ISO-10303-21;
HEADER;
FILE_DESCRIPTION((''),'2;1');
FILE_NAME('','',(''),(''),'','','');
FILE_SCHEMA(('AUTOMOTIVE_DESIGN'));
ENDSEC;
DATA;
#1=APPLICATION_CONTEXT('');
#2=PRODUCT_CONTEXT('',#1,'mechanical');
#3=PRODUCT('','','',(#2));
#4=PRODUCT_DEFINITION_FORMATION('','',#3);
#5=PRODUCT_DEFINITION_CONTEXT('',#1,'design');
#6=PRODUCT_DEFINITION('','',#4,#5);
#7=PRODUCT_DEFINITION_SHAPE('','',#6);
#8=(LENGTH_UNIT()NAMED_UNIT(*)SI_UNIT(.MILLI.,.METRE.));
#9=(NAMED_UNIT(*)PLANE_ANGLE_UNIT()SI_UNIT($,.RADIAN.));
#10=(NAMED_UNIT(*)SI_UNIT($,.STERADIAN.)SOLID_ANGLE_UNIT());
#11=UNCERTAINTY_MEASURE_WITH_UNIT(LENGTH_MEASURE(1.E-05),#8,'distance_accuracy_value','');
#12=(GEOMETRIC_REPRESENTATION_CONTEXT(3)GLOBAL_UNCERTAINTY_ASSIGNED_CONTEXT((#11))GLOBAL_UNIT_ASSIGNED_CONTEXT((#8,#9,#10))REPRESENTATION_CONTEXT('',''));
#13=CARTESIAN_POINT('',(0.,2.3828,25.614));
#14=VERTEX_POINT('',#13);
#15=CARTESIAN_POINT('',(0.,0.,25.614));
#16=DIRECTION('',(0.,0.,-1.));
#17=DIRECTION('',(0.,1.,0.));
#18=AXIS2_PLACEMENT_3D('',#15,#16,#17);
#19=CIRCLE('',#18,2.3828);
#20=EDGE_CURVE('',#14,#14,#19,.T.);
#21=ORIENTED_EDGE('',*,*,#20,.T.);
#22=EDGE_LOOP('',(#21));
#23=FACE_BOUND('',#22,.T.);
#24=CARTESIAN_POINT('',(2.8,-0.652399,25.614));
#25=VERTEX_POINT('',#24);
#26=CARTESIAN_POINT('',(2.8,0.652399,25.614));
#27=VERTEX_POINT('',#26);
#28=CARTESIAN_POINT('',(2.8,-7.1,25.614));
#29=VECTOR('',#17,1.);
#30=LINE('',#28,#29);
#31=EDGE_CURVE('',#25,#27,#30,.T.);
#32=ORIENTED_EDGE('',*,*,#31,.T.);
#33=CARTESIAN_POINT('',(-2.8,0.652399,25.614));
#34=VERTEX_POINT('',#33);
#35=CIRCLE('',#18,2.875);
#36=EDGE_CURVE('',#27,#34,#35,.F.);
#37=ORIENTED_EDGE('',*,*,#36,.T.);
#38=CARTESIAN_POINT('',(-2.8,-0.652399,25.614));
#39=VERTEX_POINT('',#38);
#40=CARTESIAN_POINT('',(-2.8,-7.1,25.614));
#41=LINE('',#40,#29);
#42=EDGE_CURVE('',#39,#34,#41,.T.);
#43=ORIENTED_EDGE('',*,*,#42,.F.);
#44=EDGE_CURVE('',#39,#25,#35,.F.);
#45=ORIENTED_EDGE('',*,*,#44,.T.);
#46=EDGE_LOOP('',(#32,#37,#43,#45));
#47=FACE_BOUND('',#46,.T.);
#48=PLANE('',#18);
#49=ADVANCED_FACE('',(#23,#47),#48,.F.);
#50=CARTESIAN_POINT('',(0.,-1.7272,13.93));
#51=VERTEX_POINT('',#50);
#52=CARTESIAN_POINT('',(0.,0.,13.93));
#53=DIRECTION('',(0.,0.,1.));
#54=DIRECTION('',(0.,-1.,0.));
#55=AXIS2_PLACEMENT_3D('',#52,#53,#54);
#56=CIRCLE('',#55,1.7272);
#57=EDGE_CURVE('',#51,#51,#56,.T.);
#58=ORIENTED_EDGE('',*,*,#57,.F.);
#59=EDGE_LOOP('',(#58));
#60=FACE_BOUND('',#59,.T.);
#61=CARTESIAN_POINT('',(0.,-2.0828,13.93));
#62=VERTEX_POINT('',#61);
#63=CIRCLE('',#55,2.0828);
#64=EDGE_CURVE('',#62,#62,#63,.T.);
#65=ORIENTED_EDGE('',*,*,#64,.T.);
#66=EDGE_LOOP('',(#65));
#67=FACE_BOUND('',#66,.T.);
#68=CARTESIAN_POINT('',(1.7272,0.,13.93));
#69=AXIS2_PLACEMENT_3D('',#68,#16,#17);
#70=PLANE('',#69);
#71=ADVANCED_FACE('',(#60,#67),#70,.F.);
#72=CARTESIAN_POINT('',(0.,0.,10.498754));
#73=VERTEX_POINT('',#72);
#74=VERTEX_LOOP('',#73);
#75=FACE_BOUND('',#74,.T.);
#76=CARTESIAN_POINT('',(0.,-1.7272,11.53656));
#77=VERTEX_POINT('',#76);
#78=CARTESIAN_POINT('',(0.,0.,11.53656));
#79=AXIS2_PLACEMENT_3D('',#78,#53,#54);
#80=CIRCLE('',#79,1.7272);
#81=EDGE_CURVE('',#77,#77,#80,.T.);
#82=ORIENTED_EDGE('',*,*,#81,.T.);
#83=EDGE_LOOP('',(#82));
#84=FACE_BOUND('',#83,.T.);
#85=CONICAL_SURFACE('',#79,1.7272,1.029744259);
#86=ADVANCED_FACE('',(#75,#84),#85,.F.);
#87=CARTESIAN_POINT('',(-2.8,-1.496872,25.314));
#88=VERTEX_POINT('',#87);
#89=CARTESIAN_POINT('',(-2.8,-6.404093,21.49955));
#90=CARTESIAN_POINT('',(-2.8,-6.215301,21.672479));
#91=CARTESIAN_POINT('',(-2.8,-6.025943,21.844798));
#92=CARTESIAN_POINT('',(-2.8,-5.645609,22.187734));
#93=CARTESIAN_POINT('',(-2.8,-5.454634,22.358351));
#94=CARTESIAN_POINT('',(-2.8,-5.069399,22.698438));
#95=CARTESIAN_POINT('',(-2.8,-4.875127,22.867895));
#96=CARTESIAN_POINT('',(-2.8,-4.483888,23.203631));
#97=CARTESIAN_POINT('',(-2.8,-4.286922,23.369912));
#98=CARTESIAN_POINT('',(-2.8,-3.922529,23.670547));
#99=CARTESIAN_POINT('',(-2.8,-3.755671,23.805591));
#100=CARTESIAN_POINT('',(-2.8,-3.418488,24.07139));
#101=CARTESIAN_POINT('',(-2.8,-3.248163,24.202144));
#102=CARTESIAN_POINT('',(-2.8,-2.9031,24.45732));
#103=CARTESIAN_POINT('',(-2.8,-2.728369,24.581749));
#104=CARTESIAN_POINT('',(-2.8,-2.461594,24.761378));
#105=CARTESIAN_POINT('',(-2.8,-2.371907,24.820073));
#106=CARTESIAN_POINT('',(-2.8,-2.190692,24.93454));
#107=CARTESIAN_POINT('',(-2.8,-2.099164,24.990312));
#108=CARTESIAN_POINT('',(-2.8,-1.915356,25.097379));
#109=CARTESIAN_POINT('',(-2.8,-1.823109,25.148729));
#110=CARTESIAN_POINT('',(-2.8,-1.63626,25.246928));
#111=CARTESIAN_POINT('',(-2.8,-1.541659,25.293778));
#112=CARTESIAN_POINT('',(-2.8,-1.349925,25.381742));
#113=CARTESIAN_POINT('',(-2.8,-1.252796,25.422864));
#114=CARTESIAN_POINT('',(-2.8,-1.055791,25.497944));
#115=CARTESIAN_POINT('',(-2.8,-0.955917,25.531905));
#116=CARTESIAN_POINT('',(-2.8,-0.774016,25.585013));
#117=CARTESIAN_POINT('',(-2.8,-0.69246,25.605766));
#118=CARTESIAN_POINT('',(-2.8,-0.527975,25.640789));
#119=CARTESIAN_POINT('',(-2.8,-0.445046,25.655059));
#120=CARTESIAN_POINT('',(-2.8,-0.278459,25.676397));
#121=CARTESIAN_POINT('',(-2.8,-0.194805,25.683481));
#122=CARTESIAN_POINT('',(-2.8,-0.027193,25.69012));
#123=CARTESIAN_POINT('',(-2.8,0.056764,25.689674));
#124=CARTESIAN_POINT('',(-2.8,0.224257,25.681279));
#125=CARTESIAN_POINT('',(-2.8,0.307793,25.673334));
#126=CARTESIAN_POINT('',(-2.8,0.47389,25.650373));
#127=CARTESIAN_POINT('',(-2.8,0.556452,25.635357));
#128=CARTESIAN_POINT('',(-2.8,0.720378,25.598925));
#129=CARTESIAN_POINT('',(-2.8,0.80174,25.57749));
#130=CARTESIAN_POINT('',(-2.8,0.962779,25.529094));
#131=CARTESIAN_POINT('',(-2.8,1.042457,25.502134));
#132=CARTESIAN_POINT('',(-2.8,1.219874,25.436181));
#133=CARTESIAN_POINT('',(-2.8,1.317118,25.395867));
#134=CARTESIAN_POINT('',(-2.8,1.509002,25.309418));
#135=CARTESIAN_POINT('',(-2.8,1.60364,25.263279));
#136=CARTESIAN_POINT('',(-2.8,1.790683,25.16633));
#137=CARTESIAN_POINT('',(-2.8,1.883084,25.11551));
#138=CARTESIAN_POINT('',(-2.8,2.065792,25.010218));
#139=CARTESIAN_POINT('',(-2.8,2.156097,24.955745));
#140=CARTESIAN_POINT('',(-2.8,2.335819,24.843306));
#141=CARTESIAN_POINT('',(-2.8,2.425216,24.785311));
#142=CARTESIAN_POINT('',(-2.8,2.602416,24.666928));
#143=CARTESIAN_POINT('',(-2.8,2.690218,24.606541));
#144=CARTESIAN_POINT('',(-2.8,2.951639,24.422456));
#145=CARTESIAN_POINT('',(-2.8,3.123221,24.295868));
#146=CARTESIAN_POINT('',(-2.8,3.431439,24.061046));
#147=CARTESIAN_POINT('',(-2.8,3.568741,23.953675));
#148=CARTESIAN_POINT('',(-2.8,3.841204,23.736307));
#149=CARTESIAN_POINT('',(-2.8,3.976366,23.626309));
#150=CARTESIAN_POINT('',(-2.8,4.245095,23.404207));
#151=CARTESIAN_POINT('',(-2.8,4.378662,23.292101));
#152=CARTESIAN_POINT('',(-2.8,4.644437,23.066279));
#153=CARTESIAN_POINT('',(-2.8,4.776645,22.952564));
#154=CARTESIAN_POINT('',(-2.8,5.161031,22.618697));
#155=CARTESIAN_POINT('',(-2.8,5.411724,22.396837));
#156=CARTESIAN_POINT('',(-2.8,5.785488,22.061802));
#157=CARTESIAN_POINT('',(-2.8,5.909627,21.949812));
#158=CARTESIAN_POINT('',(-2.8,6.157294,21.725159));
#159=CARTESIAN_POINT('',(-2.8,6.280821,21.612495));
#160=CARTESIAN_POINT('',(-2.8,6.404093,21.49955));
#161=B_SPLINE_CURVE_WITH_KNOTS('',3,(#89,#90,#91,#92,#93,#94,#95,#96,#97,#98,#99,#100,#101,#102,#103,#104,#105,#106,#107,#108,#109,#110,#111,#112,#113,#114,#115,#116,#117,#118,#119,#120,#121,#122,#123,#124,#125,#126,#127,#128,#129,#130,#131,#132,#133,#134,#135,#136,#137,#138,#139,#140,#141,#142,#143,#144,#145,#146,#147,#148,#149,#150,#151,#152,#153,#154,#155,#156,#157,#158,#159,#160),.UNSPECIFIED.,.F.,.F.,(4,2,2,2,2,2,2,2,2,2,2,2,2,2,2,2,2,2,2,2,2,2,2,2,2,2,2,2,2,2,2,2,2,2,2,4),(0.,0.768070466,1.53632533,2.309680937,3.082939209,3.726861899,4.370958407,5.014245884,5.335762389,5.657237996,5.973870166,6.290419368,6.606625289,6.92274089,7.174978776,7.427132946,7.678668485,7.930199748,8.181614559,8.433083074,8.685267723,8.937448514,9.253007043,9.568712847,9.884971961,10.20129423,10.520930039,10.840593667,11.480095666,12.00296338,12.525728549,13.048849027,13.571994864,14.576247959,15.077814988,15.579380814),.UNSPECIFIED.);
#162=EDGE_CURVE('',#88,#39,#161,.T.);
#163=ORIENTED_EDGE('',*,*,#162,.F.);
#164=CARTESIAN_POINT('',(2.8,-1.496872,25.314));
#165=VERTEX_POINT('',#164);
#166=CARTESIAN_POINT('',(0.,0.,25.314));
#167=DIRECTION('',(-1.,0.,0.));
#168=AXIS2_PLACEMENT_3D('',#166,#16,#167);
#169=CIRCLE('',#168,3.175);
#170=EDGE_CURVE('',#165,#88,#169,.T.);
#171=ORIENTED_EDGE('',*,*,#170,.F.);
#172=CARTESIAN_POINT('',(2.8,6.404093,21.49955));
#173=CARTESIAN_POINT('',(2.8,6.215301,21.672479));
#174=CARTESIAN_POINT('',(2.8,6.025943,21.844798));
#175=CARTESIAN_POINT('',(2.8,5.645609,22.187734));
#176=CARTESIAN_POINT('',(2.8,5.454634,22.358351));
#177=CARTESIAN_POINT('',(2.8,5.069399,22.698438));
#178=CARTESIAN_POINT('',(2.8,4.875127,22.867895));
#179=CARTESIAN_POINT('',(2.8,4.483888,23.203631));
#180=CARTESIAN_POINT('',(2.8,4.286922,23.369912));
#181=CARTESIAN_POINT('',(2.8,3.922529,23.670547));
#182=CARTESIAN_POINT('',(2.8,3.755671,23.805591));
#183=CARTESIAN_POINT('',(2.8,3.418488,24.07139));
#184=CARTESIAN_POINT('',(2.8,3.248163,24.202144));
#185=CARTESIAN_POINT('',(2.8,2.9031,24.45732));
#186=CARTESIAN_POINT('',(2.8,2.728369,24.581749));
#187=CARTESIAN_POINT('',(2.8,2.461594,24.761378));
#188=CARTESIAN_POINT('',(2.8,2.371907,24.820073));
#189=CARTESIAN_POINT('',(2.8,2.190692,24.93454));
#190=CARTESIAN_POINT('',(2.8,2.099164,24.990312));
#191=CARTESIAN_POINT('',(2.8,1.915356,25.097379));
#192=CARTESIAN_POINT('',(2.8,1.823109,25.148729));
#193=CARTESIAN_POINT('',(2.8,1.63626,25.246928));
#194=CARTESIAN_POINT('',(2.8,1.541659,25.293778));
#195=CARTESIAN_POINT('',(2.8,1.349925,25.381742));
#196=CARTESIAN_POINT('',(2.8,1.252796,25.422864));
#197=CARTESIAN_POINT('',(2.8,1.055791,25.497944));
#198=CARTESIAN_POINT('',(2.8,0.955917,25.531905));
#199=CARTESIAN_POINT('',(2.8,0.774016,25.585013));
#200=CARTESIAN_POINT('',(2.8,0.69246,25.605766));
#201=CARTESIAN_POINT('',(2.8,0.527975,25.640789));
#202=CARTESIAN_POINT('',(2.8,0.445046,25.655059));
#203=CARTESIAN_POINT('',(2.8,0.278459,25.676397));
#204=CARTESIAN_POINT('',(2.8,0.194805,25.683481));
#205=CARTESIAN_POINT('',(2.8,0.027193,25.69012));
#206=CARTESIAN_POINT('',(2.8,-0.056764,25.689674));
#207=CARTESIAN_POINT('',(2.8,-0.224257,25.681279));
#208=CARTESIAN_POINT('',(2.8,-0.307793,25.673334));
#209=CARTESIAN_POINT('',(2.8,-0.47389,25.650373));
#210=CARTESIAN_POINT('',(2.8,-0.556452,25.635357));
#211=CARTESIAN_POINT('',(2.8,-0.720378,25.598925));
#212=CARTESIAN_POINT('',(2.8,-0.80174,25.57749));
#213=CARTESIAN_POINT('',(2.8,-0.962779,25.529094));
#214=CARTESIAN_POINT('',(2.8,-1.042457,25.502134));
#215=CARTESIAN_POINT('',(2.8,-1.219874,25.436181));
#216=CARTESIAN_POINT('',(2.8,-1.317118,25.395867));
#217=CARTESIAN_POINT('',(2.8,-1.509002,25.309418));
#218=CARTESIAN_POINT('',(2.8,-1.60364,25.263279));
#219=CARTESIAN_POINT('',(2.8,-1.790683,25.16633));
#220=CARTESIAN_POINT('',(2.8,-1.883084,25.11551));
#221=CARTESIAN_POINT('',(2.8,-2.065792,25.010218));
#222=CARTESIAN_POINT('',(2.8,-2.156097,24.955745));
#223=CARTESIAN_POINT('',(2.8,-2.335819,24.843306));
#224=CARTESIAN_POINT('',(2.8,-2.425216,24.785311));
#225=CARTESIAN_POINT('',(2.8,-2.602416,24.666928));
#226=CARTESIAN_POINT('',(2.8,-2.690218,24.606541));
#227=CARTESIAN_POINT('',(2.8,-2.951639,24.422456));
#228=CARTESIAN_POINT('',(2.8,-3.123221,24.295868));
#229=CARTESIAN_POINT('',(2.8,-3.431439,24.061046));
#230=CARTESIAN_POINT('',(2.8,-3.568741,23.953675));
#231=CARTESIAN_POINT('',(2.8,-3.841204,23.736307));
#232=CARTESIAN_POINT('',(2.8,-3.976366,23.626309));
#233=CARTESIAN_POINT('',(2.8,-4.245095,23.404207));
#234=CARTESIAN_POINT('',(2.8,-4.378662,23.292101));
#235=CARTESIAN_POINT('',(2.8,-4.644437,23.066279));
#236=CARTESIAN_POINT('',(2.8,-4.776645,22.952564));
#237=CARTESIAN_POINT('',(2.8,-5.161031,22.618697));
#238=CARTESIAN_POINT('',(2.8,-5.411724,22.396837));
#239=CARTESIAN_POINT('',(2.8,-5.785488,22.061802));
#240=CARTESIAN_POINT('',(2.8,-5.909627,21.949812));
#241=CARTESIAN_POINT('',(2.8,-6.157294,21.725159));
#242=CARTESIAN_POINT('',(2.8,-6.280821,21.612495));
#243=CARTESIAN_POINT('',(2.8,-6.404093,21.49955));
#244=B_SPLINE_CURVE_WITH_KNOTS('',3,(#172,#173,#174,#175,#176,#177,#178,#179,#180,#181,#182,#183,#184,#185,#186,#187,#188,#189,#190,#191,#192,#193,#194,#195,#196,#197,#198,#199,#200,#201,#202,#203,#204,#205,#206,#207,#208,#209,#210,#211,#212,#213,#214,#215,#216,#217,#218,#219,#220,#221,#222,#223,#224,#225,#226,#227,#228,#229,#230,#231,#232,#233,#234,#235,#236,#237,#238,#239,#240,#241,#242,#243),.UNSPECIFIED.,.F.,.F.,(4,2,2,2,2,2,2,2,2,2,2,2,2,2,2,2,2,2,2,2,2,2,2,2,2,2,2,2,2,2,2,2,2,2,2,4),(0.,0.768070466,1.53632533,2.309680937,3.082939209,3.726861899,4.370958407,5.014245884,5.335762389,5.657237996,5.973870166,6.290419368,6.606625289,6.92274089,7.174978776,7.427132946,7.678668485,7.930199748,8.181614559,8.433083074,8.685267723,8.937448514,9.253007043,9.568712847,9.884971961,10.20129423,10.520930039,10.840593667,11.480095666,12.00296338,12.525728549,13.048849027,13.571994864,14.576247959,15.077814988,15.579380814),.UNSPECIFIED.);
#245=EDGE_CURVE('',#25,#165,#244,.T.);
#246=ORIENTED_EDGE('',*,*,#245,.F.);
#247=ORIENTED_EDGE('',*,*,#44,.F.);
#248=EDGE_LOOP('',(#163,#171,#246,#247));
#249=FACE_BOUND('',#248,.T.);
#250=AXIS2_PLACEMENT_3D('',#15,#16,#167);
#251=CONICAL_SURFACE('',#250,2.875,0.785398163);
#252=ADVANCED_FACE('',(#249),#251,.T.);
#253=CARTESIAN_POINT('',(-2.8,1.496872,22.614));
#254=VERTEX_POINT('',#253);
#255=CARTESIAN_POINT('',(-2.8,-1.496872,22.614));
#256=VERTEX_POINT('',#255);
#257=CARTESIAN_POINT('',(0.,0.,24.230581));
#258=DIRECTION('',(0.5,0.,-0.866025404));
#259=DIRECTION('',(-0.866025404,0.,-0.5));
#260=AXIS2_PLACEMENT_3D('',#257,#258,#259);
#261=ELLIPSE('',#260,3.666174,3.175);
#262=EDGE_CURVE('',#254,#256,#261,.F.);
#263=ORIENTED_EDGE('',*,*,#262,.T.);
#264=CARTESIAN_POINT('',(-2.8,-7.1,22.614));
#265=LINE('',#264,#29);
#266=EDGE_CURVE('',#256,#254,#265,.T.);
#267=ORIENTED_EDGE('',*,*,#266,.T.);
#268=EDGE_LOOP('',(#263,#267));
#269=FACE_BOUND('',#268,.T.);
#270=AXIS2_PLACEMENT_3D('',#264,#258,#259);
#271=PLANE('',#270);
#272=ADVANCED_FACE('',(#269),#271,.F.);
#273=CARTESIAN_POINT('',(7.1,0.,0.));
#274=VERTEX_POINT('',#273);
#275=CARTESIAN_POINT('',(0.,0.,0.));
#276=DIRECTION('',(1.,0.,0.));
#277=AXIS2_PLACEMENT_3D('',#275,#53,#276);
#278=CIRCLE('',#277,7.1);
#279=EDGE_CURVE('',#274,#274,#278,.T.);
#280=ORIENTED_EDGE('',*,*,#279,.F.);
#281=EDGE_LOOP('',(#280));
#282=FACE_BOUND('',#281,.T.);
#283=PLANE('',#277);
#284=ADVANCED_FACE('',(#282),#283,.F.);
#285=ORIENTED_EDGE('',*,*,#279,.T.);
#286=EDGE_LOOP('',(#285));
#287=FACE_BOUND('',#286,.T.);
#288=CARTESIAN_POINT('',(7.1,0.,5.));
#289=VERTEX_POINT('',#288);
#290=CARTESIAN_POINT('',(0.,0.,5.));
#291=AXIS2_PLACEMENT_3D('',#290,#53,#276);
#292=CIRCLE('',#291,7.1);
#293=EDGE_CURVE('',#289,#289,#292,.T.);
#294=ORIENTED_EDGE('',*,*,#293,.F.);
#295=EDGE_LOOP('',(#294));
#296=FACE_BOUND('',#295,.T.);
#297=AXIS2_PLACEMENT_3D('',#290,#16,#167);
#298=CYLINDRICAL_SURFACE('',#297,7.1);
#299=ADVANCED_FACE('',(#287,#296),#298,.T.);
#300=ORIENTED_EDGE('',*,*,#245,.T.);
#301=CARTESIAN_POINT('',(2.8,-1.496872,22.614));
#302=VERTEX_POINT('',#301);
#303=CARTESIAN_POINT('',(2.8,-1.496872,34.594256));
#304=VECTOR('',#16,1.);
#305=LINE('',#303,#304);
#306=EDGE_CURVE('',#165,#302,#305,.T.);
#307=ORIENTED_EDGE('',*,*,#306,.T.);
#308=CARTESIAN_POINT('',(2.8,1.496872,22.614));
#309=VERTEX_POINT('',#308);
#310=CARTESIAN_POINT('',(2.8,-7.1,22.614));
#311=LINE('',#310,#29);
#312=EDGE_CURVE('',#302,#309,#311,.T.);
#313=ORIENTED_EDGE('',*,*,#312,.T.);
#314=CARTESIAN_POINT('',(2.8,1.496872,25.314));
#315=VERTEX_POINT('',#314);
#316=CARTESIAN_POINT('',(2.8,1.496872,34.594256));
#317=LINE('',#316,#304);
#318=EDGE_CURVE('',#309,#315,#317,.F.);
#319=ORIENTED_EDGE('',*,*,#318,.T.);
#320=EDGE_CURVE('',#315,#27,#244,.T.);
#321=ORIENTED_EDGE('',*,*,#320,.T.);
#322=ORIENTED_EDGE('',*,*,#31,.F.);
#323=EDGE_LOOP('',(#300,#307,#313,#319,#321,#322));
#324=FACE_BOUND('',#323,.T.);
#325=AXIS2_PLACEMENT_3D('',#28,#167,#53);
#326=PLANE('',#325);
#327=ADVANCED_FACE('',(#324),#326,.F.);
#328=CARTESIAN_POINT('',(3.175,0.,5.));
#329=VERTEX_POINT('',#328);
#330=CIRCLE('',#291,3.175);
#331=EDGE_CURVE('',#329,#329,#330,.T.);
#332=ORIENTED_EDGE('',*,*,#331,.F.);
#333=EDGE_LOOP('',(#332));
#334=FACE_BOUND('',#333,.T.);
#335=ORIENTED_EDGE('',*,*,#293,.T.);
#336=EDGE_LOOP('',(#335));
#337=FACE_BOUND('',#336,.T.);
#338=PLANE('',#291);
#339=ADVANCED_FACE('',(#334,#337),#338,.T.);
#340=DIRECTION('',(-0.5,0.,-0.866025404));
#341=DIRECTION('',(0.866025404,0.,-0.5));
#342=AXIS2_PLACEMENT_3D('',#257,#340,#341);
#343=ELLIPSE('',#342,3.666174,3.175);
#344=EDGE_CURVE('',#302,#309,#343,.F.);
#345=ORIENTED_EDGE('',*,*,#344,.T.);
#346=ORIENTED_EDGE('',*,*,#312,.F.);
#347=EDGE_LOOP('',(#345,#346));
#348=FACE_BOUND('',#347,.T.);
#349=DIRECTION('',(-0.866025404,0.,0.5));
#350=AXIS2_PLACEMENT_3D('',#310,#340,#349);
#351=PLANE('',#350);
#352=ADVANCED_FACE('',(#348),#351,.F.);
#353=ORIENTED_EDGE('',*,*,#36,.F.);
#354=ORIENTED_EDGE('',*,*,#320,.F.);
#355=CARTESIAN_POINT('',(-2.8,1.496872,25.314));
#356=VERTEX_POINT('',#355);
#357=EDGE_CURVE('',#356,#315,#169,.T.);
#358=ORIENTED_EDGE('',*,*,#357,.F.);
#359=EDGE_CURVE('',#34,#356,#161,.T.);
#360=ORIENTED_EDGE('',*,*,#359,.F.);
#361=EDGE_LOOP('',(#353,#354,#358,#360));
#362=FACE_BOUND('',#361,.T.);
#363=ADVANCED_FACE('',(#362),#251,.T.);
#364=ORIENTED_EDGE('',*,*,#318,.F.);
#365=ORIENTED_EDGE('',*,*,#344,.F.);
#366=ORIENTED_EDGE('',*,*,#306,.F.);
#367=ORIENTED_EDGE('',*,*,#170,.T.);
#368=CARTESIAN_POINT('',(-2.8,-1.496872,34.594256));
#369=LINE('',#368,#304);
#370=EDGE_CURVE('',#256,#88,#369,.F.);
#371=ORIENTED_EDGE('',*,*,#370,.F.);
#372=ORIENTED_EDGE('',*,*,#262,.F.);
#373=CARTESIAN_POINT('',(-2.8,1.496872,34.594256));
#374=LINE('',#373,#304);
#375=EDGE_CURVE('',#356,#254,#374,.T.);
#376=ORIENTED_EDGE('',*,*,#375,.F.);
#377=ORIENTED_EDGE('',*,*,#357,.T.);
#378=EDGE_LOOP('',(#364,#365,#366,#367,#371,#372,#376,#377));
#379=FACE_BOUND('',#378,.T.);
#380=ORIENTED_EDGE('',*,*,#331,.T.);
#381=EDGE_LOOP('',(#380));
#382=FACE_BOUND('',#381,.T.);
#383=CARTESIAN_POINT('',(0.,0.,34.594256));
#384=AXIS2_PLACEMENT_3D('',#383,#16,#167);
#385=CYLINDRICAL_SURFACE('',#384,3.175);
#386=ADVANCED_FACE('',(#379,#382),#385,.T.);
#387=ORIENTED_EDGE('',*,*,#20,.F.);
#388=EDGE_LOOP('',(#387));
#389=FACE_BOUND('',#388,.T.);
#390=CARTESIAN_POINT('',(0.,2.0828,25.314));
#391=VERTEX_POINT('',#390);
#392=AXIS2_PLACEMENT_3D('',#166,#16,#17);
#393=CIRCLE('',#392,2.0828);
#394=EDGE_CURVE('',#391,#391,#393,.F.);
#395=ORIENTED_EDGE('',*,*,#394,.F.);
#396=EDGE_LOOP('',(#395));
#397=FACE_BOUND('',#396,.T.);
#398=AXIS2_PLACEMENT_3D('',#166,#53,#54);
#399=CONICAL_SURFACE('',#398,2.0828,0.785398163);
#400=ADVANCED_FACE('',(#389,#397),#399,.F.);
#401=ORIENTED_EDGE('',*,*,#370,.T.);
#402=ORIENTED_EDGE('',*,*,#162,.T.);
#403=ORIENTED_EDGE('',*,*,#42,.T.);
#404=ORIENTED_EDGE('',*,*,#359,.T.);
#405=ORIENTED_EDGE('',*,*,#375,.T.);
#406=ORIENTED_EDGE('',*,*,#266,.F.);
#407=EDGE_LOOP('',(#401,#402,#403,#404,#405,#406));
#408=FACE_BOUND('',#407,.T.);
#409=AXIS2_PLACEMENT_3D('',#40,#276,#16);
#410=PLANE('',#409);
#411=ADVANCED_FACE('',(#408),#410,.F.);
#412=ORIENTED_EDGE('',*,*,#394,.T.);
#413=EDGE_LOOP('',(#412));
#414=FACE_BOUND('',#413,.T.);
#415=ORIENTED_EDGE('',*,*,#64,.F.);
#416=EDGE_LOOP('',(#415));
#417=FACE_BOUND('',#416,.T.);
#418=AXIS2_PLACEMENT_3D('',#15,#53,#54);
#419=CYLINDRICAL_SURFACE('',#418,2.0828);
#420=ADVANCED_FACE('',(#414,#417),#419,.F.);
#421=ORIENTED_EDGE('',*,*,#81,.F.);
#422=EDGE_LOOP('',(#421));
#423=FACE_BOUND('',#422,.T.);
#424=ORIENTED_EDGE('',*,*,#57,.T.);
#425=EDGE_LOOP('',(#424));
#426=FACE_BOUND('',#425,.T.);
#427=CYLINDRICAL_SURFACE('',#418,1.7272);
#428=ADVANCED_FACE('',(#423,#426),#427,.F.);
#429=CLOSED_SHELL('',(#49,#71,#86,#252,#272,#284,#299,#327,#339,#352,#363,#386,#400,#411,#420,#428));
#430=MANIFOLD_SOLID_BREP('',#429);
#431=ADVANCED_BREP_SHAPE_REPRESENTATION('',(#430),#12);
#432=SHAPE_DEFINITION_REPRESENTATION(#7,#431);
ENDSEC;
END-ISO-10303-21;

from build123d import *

# Parameters (mm, degrees)
SKETCH1_R                              = 7.1
PISTON_DEPTH                           = 5
SKETCH2_R                              = 3.175
ROD_DEPTH                              = 25.614
F_056_8_32_INTERNAL_THREAD_D           = 3.4544
F_056_8_32_INTERNAL_THREAD_DEPTH       = 14.07744
F_056_8_32_INTERNAL_THREAD_CBORE_D     = 4.1656
F_056_8_32_INTERNAL_THREAD_CBORE_DEPTH = 11.684
F_056_8_32_INTERNAL_THREAD_TIP         = 1.037806461
ROD_END_CHAMFER_SIZE                   = 0.3
WRENCH_FLATS_DEPTH                     = 28.511761049
WRENCH_FLATS_DEPTH_BACK                = 28.511761049


with BuildPart() as part:
    # Sketch1 → Piston (new body)
    with BuildSketch(Plane.XY):
        Circle(SKETCH1_R)
    extrude(amount=PISTON_DEPTH)

    # Sketch2 → Rod (add)
    with BuildSketch(Plane(origin=(0, 0, 0), x_dir=(-1, 0, 0), z_dir=(0, 0, -1))):
        with Locations(Location((0, 0, 0), (0, 0, 90))):
            Circle(SKETCH2_R)
    extrude(amount=-ROD_DEPTH)

    # 056 #8-32 Internal Thread
    with Locations(Plane(origin=(0, 0, 25.614), x_dir=(0, 1, 0), z_dir=(0, 0, 1))):
        with Locations((0, 0)):
            CounterBoreHole(F_056_8_32_INTERNAL_THREAD_D / 2, F_056_8_32_INTERNAL_THREAD_CBORE_D / 2, F_056_8_32_INTERNAL_THREAD_CBORE_DEPTH, depth=F_056_8_32_INTERNAL_THREAD_DEPTH)
            with Locations((0, 0, -(F_056_8_32_INTERNAL_THREAD_DEPTH + F_056_8_32_INTERNAL_THREAD_TIP / 2))):  # 118° drill point
                Cone(0, F_056_8_32_INTERNAL_THREAD_D / 2, F_056_8_32_INTERNAL_THREAD_TIP, mode=Mode.SUBTRACT)

    # Rod End Chamfer
    rod_end_chamfer_edges = [part.edges().sort_by_distance(p)[0] for p in [
        (0, -2.0828, 25.614),
        (0, -3.175, 25.614),
    ]]
    chamfer(rod_end_chamfer_edges, length=ROD_END_CHAMFER_SIZE)

    # Sketch11 → Wrench Flats (cut, two sides: drawn at the far end of the back side and taken through both)
    with BuildSketch(Plane(origin=(0, 0, 0), x_dir=(1, 0, 0), z_dir=(0, 1, 0)).offset(-WRENCH_FLATS_DEPTH_BACK)):
        Polygon((-2.8, -25.614), (-2.8, -22.614), (-7.8, -19.727248654), (-7.8, -25.614), align=None)
        Polygon((2.8, -25.614), (2.8, -22.614), (7.8, -19.727248654), (7.8, -25.614), align=None)
    extrude(amount=WRENCH_FLATS_DEPTH + WRENCH_FLATS_DEPTH_BACK, mode=Mode.SUBTRACT)


solid = part.part
